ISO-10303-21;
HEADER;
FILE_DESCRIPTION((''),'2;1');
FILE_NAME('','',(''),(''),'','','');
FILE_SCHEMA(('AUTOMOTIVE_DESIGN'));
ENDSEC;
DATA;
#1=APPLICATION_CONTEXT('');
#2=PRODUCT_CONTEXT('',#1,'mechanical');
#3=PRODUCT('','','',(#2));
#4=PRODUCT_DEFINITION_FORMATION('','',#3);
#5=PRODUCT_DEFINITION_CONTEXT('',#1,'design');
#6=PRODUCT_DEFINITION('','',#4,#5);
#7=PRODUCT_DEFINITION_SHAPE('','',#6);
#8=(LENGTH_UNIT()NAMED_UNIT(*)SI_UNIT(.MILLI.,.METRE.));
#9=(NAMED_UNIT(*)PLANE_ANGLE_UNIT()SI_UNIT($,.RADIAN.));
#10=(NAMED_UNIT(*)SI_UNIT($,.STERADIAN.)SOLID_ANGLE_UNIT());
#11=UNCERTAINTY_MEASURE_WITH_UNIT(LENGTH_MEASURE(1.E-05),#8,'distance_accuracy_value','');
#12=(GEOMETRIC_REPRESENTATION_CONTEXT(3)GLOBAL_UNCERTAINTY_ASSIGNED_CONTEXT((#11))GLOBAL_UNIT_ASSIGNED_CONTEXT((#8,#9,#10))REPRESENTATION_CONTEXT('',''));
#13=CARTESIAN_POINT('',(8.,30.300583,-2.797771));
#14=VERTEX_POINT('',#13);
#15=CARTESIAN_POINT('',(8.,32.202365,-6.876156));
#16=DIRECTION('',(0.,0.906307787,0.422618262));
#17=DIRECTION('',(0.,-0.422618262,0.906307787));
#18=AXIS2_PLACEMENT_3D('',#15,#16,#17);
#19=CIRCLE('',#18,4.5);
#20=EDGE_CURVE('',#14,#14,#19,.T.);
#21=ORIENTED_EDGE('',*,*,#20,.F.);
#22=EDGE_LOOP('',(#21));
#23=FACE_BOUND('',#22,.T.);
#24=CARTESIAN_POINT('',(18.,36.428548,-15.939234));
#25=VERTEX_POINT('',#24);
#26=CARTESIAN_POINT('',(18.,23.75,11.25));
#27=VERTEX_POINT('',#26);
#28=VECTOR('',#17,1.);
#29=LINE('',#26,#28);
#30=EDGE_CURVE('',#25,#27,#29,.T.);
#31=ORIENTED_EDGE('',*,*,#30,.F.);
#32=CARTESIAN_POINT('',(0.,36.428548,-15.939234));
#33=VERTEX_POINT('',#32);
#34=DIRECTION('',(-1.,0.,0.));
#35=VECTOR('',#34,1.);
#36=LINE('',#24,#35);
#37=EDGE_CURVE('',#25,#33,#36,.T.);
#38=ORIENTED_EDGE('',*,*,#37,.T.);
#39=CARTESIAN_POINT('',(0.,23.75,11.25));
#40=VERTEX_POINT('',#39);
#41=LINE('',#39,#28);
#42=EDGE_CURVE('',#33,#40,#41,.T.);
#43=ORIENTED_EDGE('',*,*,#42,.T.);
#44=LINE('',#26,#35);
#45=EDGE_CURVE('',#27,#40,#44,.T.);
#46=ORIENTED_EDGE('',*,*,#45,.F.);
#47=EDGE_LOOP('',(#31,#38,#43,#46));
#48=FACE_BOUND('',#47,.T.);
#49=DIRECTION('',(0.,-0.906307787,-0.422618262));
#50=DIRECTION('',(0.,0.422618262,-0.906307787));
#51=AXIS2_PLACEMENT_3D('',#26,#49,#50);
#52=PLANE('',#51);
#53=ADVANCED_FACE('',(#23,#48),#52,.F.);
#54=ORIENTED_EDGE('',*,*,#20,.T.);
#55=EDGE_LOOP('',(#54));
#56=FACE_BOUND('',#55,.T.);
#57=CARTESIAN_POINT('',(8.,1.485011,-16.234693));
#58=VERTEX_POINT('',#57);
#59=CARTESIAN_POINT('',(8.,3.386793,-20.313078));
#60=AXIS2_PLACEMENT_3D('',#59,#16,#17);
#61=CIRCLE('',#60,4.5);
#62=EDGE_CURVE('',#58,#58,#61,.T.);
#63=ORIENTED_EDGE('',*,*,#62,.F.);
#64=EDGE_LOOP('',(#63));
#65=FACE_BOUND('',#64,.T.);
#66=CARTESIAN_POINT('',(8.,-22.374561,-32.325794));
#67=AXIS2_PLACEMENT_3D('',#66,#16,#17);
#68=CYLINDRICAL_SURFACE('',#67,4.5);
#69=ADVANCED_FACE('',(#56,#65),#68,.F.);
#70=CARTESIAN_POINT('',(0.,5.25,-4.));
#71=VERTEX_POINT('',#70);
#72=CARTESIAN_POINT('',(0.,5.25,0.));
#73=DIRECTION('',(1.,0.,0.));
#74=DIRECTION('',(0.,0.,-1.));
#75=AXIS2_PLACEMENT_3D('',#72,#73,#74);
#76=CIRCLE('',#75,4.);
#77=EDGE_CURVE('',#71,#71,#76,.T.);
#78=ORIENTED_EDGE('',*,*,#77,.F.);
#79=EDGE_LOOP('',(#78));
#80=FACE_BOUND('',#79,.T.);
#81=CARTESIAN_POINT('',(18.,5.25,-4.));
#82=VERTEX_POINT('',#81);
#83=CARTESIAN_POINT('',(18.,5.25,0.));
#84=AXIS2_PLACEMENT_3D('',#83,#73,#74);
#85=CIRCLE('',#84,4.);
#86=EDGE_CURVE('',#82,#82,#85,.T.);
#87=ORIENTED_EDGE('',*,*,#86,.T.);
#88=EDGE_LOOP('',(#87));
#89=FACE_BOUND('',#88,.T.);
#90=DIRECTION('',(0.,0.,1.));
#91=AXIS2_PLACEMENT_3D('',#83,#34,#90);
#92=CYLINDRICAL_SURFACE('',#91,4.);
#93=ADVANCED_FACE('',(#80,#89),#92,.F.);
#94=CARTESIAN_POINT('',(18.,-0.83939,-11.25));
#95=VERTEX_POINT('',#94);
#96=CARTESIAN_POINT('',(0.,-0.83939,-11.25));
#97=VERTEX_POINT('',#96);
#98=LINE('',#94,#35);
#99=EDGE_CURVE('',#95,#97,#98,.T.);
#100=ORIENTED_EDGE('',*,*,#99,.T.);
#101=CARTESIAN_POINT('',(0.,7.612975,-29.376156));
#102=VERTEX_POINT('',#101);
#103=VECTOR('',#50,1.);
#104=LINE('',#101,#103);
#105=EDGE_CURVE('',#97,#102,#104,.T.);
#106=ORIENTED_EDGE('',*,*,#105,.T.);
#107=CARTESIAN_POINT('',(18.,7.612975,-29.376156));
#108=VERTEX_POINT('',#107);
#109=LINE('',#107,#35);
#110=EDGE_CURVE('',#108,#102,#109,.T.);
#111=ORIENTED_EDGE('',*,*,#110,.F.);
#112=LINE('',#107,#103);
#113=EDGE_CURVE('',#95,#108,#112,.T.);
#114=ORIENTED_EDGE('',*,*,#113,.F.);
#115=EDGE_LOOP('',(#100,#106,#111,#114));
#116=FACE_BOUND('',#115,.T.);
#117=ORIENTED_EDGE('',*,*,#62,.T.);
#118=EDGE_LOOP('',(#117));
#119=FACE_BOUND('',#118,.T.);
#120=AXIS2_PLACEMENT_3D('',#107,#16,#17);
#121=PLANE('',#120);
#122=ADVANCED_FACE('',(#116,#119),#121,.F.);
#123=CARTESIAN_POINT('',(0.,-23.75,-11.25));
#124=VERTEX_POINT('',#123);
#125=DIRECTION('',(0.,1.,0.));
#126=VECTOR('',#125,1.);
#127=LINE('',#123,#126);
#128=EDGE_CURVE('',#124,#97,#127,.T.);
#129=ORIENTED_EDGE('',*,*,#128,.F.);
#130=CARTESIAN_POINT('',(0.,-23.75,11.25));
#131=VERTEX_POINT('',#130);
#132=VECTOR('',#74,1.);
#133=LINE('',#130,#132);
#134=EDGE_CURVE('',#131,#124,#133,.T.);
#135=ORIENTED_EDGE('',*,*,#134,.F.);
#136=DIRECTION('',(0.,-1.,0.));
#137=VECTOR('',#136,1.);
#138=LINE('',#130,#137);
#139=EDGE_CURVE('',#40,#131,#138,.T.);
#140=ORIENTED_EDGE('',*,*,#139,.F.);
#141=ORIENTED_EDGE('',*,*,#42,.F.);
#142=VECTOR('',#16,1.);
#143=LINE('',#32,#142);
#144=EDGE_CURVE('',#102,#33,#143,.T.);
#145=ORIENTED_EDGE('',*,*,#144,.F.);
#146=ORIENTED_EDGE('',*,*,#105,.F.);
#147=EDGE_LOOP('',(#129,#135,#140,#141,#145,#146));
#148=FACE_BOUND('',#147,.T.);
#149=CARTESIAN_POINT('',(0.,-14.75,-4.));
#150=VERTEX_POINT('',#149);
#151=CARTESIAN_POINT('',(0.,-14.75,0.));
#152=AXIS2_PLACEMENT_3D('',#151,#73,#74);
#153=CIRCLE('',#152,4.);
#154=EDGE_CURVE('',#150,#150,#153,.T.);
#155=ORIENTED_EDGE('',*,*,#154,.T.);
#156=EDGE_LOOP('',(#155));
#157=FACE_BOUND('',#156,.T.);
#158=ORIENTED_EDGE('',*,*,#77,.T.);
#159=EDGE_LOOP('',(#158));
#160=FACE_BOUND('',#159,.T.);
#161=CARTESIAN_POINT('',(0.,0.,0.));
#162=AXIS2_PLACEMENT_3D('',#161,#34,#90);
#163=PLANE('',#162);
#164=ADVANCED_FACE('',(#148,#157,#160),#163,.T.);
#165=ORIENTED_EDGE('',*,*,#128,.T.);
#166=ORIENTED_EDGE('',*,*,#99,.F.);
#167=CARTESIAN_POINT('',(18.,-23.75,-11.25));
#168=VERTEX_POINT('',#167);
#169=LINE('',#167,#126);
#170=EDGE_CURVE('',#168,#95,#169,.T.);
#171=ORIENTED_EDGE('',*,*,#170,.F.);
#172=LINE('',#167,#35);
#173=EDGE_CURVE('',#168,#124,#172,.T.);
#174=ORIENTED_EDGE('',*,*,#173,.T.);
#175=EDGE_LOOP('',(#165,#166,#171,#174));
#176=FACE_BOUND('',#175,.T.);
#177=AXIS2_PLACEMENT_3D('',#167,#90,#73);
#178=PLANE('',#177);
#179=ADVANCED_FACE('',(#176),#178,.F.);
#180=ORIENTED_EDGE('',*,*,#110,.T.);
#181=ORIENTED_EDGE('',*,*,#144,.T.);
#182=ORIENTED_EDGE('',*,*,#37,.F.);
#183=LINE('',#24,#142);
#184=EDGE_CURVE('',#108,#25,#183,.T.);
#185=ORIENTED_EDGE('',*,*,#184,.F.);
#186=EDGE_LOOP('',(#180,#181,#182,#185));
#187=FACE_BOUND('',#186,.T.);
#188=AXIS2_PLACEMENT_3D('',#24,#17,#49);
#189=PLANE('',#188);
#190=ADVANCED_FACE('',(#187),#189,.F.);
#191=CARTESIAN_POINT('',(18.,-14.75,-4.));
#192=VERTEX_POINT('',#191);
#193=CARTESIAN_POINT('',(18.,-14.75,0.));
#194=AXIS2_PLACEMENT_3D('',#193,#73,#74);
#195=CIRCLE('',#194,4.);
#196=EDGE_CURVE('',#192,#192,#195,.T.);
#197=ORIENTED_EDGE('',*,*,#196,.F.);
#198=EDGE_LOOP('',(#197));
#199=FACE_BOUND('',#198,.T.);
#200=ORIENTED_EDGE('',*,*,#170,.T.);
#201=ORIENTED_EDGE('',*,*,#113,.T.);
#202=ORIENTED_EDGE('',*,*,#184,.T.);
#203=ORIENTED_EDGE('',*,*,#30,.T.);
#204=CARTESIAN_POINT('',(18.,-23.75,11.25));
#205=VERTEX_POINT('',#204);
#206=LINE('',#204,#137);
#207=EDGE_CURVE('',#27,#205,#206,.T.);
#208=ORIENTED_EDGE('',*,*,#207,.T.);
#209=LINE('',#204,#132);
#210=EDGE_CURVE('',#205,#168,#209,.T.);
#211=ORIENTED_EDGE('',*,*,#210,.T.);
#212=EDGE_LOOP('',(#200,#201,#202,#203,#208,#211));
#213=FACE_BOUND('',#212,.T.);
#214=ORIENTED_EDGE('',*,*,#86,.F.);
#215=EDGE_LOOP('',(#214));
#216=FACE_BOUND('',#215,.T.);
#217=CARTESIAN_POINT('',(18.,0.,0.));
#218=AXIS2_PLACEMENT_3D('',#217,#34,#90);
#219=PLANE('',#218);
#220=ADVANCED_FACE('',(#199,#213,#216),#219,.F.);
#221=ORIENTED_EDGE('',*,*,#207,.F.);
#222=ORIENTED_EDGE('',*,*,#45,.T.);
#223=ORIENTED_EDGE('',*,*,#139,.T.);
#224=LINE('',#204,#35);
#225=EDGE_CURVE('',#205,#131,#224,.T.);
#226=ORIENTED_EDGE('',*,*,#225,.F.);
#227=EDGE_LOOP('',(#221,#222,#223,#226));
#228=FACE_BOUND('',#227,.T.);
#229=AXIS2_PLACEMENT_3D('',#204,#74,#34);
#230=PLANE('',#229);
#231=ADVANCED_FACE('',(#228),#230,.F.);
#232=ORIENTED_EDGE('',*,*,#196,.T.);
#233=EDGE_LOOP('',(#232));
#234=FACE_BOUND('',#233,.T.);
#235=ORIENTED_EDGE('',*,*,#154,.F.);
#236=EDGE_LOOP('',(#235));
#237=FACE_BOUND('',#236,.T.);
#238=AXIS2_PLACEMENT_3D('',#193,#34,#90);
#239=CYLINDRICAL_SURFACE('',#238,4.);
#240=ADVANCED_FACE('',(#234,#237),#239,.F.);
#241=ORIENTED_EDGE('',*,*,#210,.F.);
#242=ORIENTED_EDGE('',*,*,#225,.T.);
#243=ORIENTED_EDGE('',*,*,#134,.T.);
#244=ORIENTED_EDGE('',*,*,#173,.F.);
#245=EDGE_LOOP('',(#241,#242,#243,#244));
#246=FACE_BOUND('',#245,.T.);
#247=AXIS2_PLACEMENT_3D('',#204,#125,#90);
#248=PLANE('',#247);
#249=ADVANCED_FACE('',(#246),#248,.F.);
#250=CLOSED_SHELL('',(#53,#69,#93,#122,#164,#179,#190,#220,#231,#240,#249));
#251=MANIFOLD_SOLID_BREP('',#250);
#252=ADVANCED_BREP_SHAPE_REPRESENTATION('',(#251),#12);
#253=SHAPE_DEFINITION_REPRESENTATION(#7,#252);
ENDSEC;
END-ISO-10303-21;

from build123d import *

# Parameters (mm, degrees)
SKETCH1_R           = 4
BOSS_EXTRUDE1_DEPTH = 18
SKETCH2_R           = 4.5
CUT_EXTRUDE1_DEPTH  = 61.218975205


with BuildPart() as part:
    # Sketch1 → Boss-Extrude1 (new body)
    with BuildSketch(Plane(origin=(0, 0, 0), x_dir=(0, 0, -1), z_dir=(1, 0, 0))):
        Polygon((-11.25, 23.75), (15.939233611, 36.428547852), (29.376155741, 7.612975355), (11.25, -0.83938988), (11.25, -23.75), (-11.25, -23.75), align=None)
        with Locations((0, -14.75)):
            Circle(SKETCH1_R, mode=Mode.SUBTRACT)
        with Locations((0, 5.25)):
            Circle(SKETCH1_R, mode=Mode.SUBTRACT)
    extrude(amount=BOSS_EXTRUDE1_DEPTH)

    # Sketch2 → Cut-Extrude1 (cut, through all)
    with BuildSketch(Plane(origin=(0, 23.817102858, 11.106097458), x_dir=(1, 0, 0), z_dir=(0, 0.906307787, 0.422618262))):
        with Locations((8, 19.841221112)):
            Circle(SKETCH2_R)
    extrude(amount=-CUT_EXTRUDE1_DEPTH, mode=Mode.SUBTRACT)


solid = part.part
